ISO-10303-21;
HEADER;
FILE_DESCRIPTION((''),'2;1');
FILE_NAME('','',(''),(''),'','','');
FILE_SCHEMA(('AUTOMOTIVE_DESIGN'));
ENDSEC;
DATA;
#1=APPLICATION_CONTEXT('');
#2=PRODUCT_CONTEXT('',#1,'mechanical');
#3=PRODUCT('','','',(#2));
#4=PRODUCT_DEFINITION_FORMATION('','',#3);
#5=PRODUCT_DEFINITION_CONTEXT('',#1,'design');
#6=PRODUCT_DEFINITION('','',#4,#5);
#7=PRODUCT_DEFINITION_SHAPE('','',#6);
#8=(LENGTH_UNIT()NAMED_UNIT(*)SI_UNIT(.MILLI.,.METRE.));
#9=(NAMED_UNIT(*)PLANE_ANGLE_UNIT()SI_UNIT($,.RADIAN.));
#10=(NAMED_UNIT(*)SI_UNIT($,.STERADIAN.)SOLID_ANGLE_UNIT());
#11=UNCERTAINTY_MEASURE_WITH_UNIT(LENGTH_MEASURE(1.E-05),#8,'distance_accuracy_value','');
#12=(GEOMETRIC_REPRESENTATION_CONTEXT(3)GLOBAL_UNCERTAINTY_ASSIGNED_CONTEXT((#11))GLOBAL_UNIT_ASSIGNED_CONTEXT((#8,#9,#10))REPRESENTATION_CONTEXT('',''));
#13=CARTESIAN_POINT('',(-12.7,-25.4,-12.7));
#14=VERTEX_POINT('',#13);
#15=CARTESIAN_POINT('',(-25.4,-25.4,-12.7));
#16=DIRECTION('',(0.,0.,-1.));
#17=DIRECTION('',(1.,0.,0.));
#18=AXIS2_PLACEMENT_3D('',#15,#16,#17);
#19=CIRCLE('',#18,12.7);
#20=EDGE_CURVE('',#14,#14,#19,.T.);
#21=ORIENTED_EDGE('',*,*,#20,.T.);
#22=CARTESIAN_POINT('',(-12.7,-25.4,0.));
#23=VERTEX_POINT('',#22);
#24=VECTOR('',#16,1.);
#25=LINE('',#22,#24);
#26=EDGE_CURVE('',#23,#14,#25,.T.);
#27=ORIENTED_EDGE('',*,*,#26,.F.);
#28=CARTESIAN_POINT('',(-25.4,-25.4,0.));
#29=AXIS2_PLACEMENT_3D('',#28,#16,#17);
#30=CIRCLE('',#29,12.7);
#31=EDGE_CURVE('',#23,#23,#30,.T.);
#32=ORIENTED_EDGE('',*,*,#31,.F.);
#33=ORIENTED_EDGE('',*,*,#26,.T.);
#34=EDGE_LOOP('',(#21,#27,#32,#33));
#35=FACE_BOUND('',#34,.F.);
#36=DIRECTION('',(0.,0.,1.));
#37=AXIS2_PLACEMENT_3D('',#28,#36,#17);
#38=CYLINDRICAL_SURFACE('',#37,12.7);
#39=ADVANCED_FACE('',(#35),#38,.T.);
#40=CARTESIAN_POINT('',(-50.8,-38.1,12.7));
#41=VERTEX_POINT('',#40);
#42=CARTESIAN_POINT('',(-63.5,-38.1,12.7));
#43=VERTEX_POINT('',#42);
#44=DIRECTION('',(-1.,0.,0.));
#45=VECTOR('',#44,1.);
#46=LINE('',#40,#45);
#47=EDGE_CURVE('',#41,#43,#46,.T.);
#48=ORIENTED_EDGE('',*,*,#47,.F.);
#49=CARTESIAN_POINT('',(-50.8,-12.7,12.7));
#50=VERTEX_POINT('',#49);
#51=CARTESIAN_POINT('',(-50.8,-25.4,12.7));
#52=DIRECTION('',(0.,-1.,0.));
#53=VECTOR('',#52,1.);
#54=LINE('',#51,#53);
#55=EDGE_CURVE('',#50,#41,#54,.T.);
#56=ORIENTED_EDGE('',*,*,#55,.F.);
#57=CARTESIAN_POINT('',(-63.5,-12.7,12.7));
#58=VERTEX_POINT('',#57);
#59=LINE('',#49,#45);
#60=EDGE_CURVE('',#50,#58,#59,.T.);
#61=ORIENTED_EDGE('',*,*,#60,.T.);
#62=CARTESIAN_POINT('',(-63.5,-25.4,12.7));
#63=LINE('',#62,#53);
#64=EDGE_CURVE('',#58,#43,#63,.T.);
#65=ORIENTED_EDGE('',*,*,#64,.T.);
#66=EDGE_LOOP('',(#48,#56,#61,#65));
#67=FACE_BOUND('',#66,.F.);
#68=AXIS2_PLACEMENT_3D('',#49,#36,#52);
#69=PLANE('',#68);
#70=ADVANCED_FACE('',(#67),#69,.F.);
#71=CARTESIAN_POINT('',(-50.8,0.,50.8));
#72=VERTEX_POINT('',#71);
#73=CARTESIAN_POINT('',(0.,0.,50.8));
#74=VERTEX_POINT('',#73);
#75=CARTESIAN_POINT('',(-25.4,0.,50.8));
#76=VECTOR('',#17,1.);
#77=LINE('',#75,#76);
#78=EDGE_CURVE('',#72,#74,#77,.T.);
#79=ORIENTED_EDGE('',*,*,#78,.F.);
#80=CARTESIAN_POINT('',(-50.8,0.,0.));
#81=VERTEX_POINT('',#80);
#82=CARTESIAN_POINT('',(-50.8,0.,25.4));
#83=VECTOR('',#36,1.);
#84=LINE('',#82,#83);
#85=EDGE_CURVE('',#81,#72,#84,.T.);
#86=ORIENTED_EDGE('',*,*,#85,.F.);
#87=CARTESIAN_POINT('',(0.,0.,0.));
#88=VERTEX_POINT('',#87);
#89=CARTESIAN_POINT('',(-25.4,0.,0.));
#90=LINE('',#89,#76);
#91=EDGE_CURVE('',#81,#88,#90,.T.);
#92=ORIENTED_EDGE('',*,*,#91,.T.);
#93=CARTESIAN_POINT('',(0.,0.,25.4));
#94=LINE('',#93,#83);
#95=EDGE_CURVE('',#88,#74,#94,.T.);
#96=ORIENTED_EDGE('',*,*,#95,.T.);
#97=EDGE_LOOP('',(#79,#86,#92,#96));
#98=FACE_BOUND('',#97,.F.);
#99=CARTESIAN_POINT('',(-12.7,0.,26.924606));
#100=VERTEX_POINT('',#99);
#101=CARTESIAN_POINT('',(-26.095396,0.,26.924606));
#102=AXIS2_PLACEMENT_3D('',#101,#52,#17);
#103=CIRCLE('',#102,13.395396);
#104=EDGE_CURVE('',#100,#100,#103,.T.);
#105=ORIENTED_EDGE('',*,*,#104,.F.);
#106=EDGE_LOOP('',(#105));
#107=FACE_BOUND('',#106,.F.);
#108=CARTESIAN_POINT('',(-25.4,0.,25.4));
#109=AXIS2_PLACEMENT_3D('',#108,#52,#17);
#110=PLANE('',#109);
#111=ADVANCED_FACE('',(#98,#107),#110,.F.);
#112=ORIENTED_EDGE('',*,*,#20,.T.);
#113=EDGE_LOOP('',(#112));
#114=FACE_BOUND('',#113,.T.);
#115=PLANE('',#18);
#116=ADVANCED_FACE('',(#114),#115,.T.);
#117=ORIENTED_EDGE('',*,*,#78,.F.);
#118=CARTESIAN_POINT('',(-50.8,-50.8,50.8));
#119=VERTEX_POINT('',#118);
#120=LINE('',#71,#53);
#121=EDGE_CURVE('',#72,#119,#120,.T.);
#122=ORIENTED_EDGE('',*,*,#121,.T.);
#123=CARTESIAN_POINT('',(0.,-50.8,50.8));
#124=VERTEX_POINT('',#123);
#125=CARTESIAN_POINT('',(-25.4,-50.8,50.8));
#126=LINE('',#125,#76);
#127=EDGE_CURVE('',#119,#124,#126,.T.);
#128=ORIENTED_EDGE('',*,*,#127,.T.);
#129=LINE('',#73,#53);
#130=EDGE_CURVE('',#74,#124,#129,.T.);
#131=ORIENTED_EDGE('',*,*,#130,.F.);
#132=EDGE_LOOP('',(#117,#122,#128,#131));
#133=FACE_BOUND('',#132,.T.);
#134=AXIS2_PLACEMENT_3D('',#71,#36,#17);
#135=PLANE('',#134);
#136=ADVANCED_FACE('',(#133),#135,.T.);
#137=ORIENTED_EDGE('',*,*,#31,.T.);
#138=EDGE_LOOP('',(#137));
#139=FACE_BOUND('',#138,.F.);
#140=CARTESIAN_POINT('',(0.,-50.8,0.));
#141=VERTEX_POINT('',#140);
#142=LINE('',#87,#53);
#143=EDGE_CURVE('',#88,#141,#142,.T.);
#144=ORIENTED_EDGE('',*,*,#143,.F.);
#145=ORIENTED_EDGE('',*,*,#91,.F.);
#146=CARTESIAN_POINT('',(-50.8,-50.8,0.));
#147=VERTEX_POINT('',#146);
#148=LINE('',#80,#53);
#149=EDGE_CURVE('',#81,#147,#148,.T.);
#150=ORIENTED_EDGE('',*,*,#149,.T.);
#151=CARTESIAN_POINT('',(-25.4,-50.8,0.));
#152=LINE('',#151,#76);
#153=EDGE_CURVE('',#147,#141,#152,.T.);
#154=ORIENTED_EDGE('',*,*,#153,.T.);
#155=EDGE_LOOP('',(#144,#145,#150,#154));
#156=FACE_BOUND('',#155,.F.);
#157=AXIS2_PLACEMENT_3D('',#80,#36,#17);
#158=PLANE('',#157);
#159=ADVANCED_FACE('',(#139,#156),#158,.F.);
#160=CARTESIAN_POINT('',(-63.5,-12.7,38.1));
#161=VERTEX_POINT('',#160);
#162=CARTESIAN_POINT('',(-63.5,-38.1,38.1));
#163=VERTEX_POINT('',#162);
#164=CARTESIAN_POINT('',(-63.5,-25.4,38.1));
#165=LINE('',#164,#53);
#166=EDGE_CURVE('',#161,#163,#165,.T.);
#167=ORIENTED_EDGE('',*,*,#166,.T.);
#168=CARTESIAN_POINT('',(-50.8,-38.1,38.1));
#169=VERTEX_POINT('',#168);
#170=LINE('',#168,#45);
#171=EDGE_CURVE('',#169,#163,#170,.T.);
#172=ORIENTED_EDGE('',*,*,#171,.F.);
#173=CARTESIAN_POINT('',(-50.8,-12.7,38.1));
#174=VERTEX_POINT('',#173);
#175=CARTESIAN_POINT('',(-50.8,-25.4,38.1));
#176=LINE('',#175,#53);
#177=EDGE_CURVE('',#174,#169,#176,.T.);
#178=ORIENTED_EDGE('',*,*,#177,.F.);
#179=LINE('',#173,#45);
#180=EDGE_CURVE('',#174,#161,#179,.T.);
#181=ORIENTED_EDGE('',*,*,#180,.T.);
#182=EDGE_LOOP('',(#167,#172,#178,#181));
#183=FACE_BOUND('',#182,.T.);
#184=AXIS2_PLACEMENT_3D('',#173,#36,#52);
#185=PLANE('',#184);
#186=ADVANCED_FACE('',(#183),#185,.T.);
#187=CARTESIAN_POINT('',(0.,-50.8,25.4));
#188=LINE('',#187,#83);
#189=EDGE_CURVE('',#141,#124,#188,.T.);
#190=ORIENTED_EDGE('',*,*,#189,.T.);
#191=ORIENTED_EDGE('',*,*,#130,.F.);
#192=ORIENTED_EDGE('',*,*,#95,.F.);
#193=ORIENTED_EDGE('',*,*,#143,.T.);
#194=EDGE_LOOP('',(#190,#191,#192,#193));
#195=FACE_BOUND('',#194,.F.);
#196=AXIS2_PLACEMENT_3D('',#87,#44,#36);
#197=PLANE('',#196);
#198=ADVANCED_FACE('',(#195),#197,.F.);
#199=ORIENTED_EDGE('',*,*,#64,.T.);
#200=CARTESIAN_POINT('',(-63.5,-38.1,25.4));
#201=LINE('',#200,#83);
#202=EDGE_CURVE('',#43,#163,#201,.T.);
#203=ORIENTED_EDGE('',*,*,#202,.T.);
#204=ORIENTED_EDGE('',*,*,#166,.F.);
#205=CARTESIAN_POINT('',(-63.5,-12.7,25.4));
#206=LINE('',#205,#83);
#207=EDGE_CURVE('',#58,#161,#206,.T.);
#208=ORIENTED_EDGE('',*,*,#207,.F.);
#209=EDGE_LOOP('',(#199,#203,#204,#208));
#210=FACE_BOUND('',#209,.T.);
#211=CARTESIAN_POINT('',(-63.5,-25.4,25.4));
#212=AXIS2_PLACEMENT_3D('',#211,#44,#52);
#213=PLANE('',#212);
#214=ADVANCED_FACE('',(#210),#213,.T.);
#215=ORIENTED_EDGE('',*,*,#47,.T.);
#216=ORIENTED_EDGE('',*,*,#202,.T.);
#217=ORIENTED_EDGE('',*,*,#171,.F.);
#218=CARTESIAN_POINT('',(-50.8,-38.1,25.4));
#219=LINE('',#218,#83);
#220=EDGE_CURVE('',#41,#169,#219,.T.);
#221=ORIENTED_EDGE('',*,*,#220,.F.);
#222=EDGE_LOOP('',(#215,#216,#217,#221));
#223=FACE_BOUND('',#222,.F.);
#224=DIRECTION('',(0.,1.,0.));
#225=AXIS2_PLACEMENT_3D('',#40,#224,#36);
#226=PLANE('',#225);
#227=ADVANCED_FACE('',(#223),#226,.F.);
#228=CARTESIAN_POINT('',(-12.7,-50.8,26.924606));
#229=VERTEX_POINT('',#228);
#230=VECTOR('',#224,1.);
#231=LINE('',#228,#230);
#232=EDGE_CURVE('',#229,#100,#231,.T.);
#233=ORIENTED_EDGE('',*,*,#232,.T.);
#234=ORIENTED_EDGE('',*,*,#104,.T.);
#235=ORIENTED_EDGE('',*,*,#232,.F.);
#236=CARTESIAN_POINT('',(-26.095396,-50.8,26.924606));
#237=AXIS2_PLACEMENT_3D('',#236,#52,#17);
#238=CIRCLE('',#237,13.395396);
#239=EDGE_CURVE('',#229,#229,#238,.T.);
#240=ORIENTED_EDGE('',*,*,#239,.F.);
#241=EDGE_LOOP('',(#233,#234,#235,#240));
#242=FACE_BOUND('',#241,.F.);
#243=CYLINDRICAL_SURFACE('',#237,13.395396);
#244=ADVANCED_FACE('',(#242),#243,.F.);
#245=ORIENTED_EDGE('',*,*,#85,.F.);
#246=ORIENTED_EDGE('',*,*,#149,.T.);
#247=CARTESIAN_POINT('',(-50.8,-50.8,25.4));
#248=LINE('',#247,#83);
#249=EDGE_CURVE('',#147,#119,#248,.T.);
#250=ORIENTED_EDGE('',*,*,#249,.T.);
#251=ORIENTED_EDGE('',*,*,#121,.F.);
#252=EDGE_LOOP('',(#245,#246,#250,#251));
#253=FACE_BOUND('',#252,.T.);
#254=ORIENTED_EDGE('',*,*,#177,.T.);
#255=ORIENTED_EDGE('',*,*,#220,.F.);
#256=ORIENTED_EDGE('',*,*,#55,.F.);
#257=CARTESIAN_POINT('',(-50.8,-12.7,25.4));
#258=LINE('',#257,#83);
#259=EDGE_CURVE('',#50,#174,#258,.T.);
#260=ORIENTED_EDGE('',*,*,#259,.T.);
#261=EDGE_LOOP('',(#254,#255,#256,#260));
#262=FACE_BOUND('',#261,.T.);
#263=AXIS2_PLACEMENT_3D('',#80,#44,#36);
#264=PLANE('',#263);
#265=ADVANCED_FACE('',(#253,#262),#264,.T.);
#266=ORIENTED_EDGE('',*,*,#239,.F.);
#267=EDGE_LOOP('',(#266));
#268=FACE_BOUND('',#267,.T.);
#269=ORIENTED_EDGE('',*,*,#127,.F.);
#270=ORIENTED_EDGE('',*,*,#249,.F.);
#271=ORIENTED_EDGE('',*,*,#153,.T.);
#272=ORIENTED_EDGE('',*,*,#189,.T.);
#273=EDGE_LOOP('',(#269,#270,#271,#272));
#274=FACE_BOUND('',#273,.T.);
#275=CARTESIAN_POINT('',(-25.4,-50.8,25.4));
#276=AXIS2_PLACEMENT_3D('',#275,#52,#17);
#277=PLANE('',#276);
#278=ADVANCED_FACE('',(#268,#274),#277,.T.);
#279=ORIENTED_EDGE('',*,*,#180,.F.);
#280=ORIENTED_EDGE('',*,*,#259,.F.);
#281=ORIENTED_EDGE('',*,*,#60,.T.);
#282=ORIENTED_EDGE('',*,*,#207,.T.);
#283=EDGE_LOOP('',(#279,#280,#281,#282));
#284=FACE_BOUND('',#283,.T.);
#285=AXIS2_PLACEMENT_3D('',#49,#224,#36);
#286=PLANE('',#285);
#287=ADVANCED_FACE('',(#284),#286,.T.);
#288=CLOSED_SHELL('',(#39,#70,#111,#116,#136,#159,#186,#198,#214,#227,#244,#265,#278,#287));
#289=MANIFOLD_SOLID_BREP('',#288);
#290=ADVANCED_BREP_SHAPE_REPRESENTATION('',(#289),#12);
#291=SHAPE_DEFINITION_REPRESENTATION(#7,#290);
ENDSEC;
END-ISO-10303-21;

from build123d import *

# Parameters (mm, degrees)
F0_W     = 50.8
F0_H     = 50.8
F1_DEPTH = 50.8
F2_R     = 13.395396
F3_DEPTH = 61.722
F4_W     = 25.4
F4_H     = 25.4
F5_DEPTH = 12.7
F6_R     = 12.7
F7_DEPTH = 12.7


with BuildPart() as f1:
    # F0 (on Front) → F1 (new body)
    with BuildSketch(Plane.XZ):
        with Locations((-25.4, 25.4)):
            Rectangle(F0_W, F0_H)
    extrude(amount=F1_DEPTH)

    # F2 (on face) → F3 (cut)
    with BuildSketch(Plane.XZ.offset(50.8)):
        with Locations((-26.095396, 26.924606)):
            Circle(F2_R)
    extrude(amount=-F3_DEPTH, mode=Mode.SUBTRACT)

    # F4 (on face) → F5 (join)
    with BuildSketch(Plane(origin=(-50.8, 0, 0), x_dir=(0, -1, 0), z_dir=(-1, 0, 0))):
        with Locations((25.4, 25.4)):
            Rectangle(F4_W, F4_H)
    extrude(amount=F5_DEPTH)

    # F6 (on face) → F7 (join)
    with BuildSketch(Plane(origin=(0, 0, 0), x_dir=(1, 0, 0), z_dir=(0, 0, -1))):
        with Locations((-25.4, 25.4)):
            Circle(F6_R)
    extrude(amount=F7_DEPTH)


solid = f1.part
